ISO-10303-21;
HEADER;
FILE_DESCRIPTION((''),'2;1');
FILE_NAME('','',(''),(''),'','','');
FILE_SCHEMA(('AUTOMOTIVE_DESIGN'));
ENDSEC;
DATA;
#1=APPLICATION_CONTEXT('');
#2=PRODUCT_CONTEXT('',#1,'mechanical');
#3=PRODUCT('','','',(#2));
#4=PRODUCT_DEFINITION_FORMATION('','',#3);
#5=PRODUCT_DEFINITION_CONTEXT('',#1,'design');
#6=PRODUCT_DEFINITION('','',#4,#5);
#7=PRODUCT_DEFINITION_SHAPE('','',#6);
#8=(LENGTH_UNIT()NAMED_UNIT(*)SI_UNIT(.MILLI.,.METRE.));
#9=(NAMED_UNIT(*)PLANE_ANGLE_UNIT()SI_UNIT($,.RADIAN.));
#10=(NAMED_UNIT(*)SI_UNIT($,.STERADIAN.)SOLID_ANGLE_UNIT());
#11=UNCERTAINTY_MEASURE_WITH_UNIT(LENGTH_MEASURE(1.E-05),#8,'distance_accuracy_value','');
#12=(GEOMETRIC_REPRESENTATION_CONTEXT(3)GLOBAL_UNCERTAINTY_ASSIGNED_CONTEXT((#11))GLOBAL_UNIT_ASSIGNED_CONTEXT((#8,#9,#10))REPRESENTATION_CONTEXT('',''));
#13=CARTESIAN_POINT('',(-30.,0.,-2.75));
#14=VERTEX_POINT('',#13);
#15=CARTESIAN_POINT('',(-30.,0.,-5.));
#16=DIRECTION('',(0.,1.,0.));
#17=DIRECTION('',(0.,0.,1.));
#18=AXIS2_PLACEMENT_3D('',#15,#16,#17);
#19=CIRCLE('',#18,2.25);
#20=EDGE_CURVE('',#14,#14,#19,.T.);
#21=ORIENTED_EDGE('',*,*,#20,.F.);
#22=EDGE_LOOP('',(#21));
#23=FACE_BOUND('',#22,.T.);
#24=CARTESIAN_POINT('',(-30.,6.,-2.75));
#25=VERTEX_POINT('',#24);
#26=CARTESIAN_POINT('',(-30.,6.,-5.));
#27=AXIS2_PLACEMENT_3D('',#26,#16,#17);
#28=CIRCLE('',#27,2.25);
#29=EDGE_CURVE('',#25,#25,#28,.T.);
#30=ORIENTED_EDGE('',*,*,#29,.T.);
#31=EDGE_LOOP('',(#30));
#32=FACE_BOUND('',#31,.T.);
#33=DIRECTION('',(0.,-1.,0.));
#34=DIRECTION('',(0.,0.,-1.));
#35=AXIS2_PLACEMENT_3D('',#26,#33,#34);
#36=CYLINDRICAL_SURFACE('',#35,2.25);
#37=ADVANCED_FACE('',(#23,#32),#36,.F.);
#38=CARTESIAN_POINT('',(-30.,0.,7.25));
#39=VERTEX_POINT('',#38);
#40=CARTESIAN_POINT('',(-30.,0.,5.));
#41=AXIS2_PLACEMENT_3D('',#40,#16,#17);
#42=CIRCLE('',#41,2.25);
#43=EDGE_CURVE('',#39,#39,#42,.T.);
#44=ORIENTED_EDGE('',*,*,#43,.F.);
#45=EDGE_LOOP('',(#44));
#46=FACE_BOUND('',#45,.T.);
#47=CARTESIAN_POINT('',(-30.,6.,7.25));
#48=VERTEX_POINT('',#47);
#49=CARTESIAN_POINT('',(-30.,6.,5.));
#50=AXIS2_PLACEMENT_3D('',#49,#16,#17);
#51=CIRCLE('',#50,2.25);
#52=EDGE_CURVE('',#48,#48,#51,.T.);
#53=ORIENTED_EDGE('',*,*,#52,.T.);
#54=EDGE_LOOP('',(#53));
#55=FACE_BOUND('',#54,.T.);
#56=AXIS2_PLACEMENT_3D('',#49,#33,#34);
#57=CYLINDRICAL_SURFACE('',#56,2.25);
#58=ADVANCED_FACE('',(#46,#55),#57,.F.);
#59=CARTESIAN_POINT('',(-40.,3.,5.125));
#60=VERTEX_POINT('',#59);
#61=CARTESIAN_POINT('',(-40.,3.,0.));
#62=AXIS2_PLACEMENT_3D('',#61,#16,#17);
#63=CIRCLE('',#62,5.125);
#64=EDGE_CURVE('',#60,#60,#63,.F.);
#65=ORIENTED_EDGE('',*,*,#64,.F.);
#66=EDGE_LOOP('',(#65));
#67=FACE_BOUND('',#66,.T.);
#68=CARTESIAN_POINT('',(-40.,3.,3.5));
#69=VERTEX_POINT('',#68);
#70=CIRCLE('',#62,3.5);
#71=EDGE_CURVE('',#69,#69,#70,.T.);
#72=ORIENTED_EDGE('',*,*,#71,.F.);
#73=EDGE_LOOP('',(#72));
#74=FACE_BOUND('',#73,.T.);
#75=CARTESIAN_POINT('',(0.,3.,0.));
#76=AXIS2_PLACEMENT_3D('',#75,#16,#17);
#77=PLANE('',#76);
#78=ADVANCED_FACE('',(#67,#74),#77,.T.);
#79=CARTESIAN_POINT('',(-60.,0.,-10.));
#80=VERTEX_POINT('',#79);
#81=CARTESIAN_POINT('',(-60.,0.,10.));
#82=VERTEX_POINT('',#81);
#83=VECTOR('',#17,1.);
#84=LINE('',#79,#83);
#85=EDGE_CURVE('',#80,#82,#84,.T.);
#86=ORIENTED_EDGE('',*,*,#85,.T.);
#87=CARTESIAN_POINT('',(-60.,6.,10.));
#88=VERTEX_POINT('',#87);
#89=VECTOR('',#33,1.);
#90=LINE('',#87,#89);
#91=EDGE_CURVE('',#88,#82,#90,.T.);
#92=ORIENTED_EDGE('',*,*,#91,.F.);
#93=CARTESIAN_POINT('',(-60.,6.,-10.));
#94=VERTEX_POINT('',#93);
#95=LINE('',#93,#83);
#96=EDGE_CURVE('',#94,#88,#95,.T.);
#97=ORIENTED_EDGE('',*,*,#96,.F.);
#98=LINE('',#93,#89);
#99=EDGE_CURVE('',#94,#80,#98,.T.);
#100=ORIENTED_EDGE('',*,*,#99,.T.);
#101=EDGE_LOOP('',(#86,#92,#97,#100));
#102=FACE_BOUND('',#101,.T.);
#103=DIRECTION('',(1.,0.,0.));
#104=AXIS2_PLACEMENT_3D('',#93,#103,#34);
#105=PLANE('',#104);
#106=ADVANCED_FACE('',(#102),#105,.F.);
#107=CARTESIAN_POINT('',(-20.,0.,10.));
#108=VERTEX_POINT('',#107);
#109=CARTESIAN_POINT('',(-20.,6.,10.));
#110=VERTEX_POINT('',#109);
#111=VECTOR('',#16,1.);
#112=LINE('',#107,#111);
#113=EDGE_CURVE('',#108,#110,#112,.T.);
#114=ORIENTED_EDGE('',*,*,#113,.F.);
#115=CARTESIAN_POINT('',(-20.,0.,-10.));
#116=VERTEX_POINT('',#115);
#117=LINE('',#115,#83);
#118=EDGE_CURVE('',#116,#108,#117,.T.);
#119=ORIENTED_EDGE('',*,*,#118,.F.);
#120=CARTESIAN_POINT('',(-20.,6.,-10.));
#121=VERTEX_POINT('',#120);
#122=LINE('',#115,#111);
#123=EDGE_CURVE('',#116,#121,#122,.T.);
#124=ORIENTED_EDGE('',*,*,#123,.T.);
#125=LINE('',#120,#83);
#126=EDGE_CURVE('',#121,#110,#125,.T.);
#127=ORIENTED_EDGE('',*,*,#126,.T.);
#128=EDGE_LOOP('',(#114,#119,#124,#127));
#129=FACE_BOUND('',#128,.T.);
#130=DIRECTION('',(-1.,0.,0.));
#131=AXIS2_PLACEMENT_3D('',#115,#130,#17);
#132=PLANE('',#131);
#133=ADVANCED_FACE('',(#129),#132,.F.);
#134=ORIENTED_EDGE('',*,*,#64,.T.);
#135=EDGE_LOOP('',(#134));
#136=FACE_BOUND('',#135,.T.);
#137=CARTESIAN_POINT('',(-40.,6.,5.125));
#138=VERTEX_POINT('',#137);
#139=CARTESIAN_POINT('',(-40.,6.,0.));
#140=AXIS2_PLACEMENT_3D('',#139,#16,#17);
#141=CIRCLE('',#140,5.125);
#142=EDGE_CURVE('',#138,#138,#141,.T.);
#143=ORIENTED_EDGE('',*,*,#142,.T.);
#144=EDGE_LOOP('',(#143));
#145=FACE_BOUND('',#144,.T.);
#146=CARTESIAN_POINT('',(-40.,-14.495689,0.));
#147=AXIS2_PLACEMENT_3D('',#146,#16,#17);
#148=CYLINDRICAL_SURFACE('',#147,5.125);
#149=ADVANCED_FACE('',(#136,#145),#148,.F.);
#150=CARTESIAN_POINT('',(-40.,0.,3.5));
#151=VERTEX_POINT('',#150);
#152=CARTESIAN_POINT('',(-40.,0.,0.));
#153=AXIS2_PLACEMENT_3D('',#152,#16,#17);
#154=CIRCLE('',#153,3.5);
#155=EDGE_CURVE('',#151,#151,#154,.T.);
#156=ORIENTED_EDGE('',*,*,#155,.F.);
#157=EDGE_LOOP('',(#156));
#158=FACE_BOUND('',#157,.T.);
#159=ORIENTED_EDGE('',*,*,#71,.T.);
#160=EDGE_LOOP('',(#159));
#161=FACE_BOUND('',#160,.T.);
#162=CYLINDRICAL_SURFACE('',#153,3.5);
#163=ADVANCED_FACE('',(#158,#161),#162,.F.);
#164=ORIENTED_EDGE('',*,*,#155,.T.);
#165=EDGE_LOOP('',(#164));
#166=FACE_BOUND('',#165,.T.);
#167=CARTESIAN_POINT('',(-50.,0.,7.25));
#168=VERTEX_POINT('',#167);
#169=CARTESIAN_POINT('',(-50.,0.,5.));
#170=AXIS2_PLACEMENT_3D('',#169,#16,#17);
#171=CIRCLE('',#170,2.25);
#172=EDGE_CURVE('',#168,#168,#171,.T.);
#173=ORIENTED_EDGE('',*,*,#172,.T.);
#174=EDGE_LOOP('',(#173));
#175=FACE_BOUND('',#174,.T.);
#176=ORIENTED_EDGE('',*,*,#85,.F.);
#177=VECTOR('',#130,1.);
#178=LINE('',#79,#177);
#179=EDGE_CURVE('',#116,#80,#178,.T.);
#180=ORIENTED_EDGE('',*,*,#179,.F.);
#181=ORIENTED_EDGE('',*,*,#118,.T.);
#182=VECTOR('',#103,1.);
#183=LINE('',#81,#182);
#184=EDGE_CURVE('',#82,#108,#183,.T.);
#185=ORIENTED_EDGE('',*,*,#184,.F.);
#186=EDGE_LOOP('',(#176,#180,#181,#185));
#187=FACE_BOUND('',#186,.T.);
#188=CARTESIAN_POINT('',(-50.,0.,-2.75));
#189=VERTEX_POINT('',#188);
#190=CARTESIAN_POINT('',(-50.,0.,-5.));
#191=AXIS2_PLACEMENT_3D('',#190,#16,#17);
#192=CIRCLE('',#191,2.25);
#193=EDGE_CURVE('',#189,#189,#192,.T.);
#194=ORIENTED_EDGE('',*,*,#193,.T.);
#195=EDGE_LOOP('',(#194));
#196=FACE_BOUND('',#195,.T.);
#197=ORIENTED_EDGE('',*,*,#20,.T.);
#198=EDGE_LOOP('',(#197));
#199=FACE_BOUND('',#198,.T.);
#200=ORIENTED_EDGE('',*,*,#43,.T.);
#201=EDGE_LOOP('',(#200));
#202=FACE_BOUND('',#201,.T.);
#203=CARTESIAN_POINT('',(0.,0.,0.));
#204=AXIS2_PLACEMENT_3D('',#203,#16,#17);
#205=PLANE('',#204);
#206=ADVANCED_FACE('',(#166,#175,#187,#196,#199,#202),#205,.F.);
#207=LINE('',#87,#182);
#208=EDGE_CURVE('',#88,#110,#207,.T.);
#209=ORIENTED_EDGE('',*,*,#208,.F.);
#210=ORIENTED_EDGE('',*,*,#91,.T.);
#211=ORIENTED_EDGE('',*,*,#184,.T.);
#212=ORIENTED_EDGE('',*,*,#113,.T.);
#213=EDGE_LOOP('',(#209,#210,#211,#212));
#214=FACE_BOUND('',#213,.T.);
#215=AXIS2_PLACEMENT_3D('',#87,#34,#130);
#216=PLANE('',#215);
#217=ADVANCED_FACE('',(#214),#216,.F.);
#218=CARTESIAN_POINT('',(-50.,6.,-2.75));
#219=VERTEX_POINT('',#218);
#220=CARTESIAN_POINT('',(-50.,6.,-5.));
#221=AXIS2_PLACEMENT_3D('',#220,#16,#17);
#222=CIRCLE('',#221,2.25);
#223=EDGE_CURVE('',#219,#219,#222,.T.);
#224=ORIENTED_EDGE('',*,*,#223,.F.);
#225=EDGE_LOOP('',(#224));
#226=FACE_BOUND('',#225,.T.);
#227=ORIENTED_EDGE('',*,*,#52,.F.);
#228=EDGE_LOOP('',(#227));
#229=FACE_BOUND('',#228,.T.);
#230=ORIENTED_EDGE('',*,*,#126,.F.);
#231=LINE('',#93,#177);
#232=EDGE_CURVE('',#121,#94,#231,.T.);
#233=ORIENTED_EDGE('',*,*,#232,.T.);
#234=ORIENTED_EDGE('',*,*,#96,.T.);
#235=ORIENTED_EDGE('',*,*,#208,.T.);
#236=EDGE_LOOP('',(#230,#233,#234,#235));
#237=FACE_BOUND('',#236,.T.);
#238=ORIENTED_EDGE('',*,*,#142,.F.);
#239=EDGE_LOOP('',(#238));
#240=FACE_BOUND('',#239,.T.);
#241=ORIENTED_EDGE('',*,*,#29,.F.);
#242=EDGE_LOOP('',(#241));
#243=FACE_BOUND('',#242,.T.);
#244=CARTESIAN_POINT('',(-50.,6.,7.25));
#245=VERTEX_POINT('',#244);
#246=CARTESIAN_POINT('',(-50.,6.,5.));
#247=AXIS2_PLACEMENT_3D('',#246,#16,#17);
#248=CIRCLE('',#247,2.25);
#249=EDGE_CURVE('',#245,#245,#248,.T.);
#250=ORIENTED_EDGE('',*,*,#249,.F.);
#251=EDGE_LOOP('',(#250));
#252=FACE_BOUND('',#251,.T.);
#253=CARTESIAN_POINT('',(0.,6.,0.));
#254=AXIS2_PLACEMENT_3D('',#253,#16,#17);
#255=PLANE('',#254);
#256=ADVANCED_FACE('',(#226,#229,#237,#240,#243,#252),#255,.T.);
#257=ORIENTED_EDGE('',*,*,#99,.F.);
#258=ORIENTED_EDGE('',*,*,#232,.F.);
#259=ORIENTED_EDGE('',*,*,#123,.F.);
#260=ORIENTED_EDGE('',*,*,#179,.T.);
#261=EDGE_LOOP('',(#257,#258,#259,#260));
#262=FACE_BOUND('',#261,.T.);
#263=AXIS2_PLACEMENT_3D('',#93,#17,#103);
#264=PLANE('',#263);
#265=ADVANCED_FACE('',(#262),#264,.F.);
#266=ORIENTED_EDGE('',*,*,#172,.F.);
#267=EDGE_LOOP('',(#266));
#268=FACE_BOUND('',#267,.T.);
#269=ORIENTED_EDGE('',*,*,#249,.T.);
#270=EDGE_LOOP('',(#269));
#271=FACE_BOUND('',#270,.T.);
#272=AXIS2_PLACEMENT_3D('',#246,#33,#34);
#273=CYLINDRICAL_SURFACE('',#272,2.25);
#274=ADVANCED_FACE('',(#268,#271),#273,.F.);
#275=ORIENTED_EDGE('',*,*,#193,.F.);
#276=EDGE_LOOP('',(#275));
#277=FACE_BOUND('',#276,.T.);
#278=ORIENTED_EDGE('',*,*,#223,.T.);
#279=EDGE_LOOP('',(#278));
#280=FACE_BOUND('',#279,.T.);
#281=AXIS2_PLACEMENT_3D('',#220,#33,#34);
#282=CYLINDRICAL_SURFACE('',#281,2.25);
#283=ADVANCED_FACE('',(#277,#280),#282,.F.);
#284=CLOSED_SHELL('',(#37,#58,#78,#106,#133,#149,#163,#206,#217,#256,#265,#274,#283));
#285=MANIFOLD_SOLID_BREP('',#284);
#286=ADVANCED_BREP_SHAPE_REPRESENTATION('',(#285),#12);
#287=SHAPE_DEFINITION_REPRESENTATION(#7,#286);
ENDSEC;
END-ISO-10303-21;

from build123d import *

# Parameters (mm, degrees)
SKETCH_2_W          = 120
SKETCH_2_H          = 20
SKETCH_2_R          = 2.25
EXTRUDE_1_DEPTH     = 6
SKETCH_3_W          = 80
SKETCH_3_H          = 20
CUT_EXTRUDE_1_DEPTH = 62.12282716
SKETCH_4_R          = 5.125
CUT_EXTRUDE_2_DEPTH = 3
SKETCH_5_R          = 3.5
CUT_EXTRUDE_3_DEPTH = 61.901559914


with BuildPart() as part:
    # Эскиз2 → Бобышка-Вытянуть1 (new body)
    with BuildSketch(Plane(origin=(0, 0, 0), x_dir=(1, 0, 0), z_dir=(0, 1, 0))):
        Rectangle(SKETCH_2_W, SKETCH_2_H)
        with Locations(Location((-50, 5, 0), (0, 0, 270))):
            Circle(SKETCH_2_R, mode=Mode.SUBTRACT)
        with Locations(Location((-30, 5, 0), (0, 0, 270))):
            Circle(SKETCH_2_R, mode=Mode.SUBTRACT)
        with Locations(Location((-10, 5, 0), (0, 0, 270))):
            Circle(SKETCH_2_R, mode=Mode.SUBTRACT)
        with Locations(Location((30, 5, 0), (0, 0, 270))):
            Circle(SKETCH_2_R, mode=Mode.SUBTRACT)
        with Locations(Location((-30, -5, 0), (0, 0, 270))):
            Circle(SKETCH_2_R, mode=Mode.SUBTRACT)
        with Locations(Location((10, -5, 0), (0, 0, 270))):
            Circle(SKETCH_2_R, mode=Mode.SUBTRACT)
        with Locations(Location((50, -5, 0), (0, 0, 270))):
            Circle(SKETCH_2_R, mode=Mode.SUBTRACT)
        with Locations(Location((-50, -5, 0), (0, 0, 270))):
            Circle(SKETCH_2_R, mode=Mode.SUBTRACT)
    extrude(amount=EXTRUDE_1_DEPTH)

    # Эскиз3 → Вырез-Вытянуть1 (cut, through all)
    with BuildSketch(Plane(origin=(0, 6, 0), x_dir=(1, 0, 0), z_dir=(0, 1, 0))):
        with Locations((20, 0)):
            Rectangle(SKETCH_3_W, SKETCH_3_H)
    extrude(amount=-CUT_EXTRUDE_1_DEPTH, mode=Mode.SUBTRACT)

    # Эскиз4 → Вырез-Вытянуть2 (cut)
    with BuildSketch(Plane(origin=(0, 6, 0), x_dir=(1, 0, 0), z_dir=(0, 1, 0))):
        with Locations(Location((-40, 0, 0), (0, 0, 270))):
            Circle(SKETCH_4_R)
    extrude(amount=-CUT_EXTRUDE_2_DEPTH, mode=Mode.SUBTRACT)

    # Эскиз5 → Вырез-Вытянуть3 (cut, through all)
    with BuildSketch(Plane(origin=(0, 3, 0), x_dir=(1, 0, 0), z_dir=(0, 1, 0))):
        with Locations(Location((-40, 0, 0), (0, 0, 270))):
            Circle(SKETCH_5_R)
    extrude(amount=-CUT_EXTRUDE_3_DEPTH, mode=Mode.SUBTRACT)


solid = part.part
